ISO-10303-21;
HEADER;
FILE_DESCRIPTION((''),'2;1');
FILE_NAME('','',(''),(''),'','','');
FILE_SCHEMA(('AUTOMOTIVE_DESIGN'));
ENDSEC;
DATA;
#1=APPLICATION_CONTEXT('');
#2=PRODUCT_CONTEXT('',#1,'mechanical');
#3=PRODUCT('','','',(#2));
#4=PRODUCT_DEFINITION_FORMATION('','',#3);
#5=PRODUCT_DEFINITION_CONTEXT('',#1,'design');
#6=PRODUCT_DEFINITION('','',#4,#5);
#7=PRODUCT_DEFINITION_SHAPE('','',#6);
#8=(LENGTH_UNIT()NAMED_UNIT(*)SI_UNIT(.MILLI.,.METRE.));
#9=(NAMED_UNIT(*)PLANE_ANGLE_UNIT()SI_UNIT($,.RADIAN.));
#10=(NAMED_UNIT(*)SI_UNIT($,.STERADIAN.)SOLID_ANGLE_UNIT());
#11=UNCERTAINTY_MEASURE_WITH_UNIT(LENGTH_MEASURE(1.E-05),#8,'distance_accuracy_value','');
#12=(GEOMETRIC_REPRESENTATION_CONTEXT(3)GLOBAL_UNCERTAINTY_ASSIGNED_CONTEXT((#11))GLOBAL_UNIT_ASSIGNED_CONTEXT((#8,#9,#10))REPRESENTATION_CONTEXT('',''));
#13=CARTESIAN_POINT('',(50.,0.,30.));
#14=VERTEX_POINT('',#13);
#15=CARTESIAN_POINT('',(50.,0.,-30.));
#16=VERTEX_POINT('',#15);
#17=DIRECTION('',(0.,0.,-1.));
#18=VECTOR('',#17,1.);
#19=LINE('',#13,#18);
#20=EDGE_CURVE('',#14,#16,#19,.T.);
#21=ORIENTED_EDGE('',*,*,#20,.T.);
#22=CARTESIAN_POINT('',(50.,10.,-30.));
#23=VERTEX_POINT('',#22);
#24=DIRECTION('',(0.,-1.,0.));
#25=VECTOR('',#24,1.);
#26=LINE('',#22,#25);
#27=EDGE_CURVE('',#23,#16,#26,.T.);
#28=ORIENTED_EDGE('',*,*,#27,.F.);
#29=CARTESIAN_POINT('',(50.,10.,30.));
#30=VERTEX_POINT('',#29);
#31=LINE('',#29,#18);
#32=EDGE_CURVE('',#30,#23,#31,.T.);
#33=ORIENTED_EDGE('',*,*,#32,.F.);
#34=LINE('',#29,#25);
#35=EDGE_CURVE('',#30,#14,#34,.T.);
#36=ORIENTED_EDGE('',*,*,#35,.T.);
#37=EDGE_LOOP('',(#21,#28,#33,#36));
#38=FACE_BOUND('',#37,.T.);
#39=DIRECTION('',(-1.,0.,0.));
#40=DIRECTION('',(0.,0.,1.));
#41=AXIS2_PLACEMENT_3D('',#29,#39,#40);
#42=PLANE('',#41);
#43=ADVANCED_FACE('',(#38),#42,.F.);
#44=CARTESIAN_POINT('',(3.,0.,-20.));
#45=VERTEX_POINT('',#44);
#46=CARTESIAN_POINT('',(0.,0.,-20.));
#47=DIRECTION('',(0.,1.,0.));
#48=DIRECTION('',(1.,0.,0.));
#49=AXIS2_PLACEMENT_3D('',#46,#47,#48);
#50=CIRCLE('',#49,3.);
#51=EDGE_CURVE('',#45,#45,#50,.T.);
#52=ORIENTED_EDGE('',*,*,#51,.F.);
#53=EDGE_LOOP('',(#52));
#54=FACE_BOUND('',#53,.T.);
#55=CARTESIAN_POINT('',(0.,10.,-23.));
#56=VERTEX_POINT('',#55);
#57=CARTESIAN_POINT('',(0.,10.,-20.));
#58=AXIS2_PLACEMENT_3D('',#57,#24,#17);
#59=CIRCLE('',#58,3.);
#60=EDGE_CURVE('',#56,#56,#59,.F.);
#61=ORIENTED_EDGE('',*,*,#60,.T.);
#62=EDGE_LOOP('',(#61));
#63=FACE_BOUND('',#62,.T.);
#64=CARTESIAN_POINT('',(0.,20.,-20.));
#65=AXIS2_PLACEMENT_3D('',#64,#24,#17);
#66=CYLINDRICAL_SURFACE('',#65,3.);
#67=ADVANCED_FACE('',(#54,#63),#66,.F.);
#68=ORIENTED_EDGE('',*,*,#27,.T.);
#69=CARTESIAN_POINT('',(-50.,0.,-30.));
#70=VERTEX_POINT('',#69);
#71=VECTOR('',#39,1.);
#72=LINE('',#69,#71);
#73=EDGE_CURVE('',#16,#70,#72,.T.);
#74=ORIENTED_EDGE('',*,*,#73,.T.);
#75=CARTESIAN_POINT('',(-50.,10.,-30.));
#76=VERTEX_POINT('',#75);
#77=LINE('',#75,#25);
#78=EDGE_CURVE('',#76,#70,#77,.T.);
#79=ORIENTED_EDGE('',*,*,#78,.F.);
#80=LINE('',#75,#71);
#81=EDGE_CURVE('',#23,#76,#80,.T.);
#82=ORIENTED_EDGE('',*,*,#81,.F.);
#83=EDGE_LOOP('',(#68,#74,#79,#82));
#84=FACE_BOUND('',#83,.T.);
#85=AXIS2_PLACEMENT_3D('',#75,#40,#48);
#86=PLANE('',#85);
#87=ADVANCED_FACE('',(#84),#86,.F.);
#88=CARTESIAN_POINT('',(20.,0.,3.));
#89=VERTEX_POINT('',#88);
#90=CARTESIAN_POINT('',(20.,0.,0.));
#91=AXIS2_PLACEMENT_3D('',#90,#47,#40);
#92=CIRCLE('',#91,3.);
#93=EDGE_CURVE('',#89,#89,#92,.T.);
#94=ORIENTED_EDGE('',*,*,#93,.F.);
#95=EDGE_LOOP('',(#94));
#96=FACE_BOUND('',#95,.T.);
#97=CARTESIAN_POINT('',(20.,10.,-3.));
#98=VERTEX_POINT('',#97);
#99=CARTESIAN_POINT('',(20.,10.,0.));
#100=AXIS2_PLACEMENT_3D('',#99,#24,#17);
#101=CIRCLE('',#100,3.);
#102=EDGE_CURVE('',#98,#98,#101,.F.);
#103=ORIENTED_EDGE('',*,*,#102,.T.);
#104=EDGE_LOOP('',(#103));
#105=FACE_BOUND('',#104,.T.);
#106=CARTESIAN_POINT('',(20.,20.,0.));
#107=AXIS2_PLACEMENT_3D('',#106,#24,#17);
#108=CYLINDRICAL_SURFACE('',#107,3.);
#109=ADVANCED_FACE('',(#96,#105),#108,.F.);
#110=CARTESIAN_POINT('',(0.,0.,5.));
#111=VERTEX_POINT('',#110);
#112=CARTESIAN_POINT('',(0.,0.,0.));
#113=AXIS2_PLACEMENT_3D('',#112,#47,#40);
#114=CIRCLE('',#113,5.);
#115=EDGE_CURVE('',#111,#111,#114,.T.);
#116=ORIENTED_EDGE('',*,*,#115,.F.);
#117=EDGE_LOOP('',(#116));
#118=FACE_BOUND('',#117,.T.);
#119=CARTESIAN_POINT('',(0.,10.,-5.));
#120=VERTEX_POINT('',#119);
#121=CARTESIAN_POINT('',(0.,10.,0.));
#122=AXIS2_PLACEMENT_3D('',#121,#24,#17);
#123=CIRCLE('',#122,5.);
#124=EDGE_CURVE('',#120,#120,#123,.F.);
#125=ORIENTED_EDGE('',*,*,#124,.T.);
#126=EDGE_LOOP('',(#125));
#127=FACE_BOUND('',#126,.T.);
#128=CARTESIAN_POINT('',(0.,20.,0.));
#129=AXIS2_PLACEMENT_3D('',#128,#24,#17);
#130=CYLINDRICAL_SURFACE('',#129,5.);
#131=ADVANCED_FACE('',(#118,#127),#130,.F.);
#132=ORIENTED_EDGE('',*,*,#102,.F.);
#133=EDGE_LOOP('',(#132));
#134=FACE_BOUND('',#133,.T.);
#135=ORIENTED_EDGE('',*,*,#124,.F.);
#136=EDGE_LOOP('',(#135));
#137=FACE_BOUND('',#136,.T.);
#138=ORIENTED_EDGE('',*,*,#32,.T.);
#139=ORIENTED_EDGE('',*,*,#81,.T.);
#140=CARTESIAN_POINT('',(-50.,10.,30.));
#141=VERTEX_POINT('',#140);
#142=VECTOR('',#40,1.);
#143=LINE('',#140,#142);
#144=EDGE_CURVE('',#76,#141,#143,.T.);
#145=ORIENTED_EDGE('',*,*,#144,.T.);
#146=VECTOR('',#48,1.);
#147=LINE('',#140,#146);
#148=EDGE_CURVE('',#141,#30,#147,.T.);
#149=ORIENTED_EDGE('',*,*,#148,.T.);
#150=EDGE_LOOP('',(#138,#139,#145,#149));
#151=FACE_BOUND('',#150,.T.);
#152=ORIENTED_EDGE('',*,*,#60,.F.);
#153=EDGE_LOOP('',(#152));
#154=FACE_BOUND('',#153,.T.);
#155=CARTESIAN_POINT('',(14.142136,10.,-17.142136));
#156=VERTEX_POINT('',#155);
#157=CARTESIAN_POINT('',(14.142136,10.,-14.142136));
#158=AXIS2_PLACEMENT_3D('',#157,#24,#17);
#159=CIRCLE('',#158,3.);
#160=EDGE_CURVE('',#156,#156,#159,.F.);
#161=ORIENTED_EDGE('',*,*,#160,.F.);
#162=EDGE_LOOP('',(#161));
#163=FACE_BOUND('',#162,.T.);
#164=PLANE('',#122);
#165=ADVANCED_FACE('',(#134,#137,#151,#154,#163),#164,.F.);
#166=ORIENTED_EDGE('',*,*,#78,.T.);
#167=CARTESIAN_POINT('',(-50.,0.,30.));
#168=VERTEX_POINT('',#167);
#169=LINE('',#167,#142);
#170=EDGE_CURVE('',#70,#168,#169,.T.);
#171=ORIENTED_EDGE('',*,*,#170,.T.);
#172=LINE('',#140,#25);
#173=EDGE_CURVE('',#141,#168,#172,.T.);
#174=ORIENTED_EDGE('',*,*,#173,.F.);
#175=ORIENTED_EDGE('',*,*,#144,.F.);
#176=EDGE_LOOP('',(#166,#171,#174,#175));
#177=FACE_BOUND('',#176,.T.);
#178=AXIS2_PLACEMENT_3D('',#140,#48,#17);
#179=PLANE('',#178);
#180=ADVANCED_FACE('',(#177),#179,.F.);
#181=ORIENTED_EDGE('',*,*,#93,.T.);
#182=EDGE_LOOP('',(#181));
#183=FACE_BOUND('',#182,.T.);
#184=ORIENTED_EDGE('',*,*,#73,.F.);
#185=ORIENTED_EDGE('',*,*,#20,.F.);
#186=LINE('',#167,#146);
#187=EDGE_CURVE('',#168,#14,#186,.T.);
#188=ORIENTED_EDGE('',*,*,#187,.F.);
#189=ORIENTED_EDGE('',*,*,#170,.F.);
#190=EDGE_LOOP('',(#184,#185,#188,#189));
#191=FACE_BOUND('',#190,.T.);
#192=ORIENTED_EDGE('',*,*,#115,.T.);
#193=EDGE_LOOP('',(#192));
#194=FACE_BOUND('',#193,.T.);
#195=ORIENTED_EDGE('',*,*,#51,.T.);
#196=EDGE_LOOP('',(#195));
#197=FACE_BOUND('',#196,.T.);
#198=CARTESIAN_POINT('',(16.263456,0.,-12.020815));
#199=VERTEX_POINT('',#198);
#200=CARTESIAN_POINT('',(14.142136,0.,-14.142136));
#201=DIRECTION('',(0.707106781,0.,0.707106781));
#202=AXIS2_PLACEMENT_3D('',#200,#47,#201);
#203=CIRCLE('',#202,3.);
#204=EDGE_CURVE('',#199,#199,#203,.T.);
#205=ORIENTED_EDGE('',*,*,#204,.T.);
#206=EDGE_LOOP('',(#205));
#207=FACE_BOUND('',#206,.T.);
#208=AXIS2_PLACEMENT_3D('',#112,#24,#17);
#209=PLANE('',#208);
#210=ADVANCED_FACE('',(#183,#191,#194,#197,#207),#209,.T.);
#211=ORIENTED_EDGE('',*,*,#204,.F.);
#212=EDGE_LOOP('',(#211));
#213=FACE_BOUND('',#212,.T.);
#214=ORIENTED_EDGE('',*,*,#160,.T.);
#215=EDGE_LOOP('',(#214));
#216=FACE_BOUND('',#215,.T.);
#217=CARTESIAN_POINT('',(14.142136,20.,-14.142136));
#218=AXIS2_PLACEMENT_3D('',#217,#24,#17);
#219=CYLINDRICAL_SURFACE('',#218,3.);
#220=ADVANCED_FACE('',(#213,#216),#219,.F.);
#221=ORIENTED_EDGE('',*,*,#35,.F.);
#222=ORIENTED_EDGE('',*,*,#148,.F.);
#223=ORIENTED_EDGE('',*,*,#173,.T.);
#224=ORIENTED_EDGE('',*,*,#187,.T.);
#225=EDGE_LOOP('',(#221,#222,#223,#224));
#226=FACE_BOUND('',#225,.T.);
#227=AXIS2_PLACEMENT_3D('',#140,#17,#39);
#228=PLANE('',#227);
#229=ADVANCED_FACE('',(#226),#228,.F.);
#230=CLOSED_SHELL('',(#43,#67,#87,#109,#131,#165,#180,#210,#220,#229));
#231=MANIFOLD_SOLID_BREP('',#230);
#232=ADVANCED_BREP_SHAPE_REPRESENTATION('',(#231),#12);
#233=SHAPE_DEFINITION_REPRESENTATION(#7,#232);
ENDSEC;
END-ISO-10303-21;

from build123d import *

# Parameters (mm, degrees)
SKETCH_1_W               = 100
SKETCH_1_H               = 60
EXTRUDE_1_DEPTH          = 10
SKETCH_2_R               = 5
CUT_EXTRUDE_1_DEPTH      = 20
SKETCH_3_R               = 3
CUT_EXTRUDE_2_DEPTH      = 20
PATTERN_CIRCULAR_1_COUNT = 3
PATTERN_CIRCULAR_1_ANGLE = 90


with BuildPart() as part:
    # 草图1 → 凸台-拉伸1 (new body)
    with BuildSketch(Plane(origin=(0, 0, 0), x_dir=(1, 0, 0), z_dir=(0, 1, 0))):
        Rectangle(SKETCH_1_W, SKETCH_1_H)
    extrude(amount=EXTRUDE_1_DEPTH)

    # 草图2 → 切除-拉伸1 (cut)
    with BuildSketch(Plane(origin=(0, 0, 0), x_dir=(1, 0, 0), z_dir=(0, 1, 0))):
        with Locations(Location((0, 0, 0), (0, 0, 90))):
            Circle(SKETCH_2_R)
    extrude(amount=CUT_EXTRUDE_1_DEPTH, mode=Mode.SUBTRACT)

    # 草图3 → 切除-拉伸2 (cut)
    with BuildSketch(Plane(origin=(0, 0, 0), x_dir=(1, 0, 0), z_dir=(0, 1, 0))):
        with Locations(Location((20, 0, 0), (0, 0, 90))):
            Circle(SKETCH_3_R)
    cut_extrude_2 = extrude(amount=CUT_EXTRUDE_2_DEPTH, mode=Mode.SUBTRACT)

    # 阵列(圆周)1: 切除-拉伸2 ×3 about axis
    pattern_circular_1_axis = Axis((0, 0, 0), (0, 1, 0))
    for i in range(1, PATTERN_CIRCULAR_1_COUNT):
        add(cut_extrude_2.rotate(pattern_circular_1_axis, i * PATTERN_CIRCULAR_1_ANGLE / (PATTERN_CIRCULAR_1_COUNT - 1)), mode=Mode.SUBTRACT)


solid = part.part
